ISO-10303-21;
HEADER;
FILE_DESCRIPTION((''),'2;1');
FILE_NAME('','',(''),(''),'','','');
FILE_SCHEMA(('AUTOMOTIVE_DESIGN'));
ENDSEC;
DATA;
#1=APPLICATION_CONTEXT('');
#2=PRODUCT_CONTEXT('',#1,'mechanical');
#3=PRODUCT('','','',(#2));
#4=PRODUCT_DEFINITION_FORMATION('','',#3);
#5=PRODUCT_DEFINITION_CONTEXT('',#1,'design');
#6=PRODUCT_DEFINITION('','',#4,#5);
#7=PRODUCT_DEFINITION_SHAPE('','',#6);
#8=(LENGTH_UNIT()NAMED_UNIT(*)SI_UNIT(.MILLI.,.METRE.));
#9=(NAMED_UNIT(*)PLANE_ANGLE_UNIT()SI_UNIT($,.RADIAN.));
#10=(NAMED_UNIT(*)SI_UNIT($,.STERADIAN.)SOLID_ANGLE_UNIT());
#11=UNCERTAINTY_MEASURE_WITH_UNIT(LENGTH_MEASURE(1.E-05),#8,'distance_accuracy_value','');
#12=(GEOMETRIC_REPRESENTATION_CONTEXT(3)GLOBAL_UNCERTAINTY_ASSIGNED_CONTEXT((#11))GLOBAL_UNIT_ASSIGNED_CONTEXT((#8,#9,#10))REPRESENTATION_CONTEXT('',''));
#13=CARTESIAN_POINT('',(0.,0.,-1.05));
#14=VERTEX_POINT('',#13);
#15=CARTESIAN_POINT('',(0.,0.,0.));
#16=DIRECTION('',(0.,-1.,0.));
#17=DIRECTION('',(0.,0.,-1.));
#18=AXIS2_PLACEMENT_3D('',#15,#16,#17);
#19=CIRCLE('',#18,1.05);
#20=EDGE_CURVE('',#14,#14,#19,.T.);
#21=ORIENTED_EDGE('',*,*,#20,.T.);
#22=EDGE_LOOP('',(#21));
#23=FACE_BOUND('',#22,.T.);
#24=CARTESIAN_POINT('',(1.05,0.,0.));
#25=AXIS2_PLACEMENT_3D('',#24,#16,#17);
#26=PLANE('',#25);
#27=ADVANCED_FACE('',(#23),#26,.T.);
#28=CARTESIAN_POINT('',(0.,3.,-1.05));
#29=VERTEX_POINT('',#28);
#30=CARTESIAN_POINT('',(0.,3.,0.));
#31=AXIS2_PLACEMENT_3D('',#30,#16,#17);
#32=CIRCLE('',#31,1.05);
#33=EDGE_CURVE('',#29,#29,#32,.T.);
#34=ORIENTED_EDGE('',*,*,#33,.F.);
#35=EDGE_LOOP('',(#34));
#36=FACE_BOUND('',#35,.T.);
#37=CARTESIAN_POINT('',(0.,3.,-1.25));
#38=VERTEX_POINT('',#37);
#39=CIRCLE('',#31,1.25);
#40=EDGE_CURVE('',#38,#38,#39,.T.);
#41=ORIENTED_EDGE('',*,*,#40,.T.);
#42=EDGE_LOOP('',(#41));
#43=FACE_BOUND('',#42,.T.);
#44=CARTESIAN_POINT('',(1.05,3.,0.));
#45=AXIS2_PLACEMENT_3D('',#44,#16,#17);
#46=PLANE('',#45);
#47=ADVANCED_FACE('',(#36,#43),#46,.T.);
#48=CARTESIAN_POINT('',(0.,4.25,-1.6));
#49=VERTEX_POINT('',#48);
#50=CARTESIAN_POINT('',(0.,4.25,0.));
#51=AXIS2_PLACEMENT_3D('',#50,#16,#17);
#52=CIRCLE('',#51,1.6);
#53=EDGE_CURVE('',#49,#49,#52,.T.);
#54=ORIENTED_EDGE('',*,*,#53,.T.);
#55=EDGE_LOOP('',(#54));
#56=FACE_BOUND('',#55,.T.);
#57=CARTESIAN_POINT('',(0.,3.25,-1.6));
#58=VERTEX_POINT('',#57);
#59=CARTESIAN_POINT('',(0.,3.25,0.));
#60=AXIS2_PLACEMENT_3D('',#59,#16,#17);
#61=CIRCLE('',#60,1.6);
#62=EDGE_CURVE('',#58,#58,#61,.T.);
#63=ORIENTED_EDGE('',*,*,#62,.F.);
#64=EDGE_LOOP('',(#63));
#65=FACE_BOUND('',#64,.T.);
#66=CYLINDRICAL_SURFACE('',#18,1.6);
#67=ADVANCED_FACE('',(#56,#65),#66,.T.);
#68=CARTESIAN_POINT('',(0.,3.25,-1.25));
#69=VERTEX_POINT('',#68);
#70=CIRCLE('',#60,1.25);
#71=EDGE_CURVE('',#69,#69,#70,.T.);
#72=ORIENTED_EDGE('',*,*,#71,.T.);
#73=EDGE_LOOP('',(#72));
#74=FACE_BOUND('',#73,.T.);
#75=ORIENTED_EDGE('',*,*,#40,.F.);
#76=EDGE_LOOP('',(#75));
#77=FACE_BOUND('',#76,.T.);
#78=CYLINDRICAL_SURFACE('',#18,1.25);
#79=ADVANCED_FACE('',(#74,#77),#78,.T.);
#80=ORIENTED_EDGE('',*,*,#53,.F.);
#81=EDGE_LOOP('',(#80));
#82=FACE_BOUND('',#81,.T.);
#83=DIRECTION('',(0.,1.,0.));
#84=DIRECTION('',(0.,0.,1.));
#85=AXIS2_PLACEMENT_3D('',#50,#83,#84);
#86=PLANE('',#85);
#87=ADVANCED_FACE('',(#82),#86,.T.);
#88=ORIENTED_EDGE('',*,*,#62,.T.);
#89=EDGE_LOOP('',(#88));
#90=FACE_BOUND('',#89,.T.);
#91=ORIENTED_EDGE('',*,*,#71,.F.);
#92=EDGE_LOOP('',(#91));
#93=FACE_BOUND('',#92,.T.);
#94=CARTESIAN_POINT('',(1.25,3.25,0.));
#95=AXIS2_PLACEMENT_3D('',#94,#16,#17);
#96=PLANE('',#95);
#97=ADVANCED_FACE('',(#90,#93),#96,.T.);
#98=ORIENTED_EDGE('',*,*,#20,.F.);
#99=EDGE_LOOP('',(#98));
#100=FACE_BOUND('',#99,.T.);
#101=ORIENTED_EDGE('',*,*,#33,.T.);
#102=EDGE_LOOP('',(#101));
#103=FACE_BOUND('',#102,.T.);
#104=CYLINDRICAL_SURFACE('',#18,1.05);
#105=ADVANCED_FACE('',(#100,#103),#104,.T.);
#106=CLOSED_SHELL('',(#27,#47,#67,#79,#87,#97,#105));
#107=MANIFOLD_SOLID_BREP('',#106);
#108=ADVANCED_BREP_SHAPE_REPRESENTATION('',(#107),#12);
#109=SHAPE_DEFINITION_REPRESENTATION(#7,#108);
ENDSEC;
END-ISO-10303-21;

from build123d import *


with BuildPart() as part:
    # Sketch1 → Revolve1 (revolve)
    with BuildSketch(Plane.XY, mode=Mode.PRIVATE) as revolve1_sk:
        Polygon((0, 0), (0, 4.25), (1.6, 4.25), (1.6, 3.25), (1.25, 3.25), (1.25, 3), (1.05, 3), (1.05, 0), align=None)
    revolve(revolve1_sk.sketch.rotate(Axis((0, 0, 0), (0, 1, 0)), 90), axis=Axis((0, 0, 0), (0, 1, 0)))


solid = part.part
